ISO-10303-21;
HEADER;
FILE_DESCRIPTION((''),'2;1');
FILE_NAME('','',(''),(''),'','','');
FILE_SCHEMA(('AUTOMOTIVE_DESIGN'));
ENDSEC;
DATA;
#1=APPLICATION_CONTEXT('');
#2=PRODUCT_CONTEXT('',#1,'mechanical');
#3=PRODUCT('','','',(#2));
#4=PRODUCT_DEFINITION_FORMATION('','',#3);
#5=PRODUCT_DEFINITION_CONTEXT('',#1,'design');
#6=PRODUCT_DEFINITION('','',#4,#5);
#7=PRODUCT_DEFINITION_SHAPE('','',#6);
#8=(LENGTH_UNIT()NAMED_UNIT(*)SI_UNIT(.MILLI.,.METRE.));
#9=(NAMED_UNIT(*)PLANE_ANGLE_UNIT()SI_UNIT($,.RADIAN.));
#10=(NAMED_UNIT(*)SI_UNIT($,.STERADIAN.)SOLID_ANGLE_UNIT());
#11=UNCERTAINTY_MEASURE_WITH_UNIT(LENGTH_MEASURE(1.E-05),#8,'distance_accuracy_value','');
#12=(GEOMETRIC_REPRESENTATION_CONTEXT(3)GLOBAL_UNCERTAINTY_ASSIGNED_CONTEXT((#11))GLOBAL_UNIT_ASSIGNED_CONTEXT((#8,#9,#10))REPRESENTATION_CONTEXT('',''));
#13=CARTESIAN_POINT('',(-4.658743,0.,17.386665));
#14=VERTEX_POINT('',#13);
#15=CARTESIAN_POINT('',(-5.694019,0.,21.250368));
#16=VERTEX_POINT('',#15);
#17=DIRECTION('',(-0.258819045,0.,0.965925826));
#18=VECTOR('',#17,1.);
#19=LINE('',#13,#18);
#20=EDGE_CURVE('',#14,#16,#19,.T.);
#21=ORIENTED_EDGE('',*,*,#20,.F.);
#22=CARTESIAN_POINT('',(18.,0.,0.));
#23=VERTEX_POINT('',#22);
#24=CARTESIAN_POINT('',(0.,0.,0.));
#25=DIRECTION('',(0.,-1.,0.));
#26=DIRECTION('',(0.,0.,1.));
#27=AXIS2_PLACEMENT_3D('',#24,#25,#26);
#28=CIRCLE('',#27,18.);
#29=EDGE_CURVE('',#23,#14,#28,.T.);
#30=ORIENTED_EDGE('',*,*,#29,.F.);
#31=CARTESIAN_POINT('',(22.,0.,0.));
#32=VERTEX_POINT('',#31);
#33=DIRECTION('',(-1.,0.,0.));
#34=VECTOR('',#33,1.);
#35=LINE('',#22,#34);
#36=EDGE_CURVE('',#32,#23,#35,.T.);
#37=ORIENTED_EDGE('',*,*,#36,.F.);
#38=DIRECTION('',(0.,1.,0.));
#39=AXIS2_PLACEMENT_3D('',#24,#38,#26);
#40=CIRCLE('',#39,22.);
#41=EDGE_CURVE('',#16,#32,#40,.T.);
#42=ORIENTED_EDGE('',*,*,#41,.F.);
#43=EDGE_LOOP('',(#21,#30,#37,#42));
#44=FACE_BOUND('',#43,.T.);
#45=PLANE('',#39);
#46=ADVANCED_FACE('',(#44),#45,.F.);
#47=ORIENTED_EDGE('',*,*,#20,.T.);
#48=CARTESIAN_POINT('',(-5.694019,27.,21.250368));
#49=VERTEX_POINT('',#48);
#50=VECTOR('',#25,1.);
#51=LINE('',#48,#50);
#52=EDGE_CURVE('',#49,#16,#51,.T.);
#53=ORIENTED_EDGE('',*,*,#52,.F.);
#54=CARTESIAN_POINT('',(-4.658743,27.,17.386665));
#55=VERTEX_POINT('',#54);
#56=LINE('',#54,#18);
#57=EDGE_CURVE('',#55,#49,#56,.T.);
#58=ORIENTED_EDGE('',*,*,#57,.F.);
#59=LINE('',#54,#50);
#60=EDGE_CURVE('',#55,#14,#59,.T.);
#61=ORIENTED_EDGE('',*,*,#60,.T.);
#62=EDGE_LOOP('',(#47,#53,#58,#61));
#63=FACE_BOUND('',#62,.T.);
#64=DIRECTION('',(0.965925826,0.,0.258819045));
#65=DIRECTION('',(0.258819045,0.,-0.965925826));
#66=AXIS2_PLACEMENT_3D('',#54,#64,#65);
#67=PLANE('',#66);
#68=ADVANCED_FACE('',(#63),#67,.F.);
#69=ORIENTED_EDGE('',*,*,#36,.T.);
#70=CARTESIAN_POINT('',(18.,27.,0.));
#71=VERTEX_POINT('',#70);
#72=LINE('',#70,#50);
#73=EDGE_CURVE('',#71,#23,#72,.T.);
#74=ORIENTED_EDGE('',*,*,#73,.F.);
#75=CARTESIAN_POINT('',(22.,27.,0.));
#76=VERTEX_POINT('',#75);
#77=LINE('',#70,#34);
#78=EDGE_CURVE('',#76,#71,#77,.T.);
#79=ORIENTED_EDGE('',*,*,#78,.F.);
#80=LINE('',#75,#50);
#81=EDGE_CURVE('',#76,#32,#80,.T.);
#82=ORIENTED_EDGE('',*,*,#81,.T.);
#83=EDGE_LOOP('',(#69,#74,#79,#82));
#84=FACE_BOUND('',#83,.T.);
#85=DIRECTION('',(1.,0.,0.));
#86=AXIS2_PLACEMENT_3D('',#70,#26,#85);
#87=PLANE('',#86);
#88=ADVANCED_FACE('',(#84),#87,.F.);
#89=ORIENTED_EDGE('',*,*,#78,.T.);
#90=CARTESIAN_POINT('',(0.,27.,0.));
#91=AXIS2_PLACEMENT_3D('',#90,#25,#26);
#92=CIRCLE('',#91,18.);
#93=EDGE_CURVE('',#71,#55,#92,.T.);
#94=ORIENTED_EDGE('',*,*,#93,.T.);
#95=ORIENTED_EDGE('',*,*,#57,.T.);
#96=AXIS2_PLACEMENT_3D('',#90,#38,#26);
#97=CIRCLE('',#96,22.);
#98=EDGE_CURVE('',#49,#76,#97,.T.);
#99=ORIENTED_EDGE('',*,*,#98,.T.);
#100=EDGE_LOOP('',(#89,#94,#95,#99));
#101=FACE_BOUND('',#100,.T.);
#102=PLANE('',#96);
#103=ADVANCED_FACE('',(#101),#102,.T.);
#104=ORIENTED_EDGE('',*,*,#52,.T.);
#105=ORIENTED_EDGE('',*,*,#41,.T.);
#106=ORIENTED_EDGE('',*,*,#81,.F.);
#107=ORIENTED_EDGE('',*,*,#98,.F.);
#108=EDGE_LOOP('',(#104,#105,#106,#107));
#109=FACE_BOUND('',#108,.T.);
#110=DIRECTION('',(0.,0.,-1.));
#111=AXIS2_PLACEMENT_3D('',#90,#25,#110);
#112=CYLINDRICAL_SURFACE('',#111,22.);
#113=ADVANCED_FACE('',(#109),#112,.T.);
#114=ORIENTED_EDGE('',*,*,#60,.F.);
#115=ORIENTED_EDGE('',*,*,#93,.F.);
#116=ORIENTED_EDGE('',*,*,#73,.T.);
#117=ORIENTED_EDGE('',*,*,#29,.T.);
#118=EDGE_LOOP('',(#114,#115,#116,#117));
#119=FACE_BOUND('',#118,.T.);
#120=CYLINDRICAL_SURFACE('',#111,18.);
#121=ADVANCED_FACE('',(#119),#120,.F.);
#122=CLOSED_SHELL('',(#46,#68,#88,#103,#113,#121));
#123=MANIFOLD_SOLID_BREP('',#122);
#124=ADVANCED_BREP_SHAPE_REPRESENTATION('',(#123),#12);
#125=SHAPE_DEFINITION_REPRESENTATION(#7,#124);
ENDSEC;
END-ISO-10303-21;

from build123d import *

# Parameters (mm, degrees)
BOSS_EXTRUDE1_DEPTH = 27


with BuildPart() as part:
    # Sketch1 → Boss-Extrude1 (new body)
    with BuildSketch(Plane(origin=(0, 0, 0), x_dir=(1, 0, 0), z_dir=(0, 1, 0))):
        with BuildLine():
            Line((18, 0), (22, 0))
            ThreePointArc((22, 0), (13.392751438, -17.453773486), (-5.694018992, -21.250368178))
            Line((-5.694018992, -21.250368178), (-4.658742812, -17.386664873))
            ThreePointArc((-4.658742812, -17.386664873), (10.957705722, -14.280360125), (18, 0))
        make_face()
    extrude(amount=BOSS_EXTRUDE1_DEPTH)


solid = part.part
